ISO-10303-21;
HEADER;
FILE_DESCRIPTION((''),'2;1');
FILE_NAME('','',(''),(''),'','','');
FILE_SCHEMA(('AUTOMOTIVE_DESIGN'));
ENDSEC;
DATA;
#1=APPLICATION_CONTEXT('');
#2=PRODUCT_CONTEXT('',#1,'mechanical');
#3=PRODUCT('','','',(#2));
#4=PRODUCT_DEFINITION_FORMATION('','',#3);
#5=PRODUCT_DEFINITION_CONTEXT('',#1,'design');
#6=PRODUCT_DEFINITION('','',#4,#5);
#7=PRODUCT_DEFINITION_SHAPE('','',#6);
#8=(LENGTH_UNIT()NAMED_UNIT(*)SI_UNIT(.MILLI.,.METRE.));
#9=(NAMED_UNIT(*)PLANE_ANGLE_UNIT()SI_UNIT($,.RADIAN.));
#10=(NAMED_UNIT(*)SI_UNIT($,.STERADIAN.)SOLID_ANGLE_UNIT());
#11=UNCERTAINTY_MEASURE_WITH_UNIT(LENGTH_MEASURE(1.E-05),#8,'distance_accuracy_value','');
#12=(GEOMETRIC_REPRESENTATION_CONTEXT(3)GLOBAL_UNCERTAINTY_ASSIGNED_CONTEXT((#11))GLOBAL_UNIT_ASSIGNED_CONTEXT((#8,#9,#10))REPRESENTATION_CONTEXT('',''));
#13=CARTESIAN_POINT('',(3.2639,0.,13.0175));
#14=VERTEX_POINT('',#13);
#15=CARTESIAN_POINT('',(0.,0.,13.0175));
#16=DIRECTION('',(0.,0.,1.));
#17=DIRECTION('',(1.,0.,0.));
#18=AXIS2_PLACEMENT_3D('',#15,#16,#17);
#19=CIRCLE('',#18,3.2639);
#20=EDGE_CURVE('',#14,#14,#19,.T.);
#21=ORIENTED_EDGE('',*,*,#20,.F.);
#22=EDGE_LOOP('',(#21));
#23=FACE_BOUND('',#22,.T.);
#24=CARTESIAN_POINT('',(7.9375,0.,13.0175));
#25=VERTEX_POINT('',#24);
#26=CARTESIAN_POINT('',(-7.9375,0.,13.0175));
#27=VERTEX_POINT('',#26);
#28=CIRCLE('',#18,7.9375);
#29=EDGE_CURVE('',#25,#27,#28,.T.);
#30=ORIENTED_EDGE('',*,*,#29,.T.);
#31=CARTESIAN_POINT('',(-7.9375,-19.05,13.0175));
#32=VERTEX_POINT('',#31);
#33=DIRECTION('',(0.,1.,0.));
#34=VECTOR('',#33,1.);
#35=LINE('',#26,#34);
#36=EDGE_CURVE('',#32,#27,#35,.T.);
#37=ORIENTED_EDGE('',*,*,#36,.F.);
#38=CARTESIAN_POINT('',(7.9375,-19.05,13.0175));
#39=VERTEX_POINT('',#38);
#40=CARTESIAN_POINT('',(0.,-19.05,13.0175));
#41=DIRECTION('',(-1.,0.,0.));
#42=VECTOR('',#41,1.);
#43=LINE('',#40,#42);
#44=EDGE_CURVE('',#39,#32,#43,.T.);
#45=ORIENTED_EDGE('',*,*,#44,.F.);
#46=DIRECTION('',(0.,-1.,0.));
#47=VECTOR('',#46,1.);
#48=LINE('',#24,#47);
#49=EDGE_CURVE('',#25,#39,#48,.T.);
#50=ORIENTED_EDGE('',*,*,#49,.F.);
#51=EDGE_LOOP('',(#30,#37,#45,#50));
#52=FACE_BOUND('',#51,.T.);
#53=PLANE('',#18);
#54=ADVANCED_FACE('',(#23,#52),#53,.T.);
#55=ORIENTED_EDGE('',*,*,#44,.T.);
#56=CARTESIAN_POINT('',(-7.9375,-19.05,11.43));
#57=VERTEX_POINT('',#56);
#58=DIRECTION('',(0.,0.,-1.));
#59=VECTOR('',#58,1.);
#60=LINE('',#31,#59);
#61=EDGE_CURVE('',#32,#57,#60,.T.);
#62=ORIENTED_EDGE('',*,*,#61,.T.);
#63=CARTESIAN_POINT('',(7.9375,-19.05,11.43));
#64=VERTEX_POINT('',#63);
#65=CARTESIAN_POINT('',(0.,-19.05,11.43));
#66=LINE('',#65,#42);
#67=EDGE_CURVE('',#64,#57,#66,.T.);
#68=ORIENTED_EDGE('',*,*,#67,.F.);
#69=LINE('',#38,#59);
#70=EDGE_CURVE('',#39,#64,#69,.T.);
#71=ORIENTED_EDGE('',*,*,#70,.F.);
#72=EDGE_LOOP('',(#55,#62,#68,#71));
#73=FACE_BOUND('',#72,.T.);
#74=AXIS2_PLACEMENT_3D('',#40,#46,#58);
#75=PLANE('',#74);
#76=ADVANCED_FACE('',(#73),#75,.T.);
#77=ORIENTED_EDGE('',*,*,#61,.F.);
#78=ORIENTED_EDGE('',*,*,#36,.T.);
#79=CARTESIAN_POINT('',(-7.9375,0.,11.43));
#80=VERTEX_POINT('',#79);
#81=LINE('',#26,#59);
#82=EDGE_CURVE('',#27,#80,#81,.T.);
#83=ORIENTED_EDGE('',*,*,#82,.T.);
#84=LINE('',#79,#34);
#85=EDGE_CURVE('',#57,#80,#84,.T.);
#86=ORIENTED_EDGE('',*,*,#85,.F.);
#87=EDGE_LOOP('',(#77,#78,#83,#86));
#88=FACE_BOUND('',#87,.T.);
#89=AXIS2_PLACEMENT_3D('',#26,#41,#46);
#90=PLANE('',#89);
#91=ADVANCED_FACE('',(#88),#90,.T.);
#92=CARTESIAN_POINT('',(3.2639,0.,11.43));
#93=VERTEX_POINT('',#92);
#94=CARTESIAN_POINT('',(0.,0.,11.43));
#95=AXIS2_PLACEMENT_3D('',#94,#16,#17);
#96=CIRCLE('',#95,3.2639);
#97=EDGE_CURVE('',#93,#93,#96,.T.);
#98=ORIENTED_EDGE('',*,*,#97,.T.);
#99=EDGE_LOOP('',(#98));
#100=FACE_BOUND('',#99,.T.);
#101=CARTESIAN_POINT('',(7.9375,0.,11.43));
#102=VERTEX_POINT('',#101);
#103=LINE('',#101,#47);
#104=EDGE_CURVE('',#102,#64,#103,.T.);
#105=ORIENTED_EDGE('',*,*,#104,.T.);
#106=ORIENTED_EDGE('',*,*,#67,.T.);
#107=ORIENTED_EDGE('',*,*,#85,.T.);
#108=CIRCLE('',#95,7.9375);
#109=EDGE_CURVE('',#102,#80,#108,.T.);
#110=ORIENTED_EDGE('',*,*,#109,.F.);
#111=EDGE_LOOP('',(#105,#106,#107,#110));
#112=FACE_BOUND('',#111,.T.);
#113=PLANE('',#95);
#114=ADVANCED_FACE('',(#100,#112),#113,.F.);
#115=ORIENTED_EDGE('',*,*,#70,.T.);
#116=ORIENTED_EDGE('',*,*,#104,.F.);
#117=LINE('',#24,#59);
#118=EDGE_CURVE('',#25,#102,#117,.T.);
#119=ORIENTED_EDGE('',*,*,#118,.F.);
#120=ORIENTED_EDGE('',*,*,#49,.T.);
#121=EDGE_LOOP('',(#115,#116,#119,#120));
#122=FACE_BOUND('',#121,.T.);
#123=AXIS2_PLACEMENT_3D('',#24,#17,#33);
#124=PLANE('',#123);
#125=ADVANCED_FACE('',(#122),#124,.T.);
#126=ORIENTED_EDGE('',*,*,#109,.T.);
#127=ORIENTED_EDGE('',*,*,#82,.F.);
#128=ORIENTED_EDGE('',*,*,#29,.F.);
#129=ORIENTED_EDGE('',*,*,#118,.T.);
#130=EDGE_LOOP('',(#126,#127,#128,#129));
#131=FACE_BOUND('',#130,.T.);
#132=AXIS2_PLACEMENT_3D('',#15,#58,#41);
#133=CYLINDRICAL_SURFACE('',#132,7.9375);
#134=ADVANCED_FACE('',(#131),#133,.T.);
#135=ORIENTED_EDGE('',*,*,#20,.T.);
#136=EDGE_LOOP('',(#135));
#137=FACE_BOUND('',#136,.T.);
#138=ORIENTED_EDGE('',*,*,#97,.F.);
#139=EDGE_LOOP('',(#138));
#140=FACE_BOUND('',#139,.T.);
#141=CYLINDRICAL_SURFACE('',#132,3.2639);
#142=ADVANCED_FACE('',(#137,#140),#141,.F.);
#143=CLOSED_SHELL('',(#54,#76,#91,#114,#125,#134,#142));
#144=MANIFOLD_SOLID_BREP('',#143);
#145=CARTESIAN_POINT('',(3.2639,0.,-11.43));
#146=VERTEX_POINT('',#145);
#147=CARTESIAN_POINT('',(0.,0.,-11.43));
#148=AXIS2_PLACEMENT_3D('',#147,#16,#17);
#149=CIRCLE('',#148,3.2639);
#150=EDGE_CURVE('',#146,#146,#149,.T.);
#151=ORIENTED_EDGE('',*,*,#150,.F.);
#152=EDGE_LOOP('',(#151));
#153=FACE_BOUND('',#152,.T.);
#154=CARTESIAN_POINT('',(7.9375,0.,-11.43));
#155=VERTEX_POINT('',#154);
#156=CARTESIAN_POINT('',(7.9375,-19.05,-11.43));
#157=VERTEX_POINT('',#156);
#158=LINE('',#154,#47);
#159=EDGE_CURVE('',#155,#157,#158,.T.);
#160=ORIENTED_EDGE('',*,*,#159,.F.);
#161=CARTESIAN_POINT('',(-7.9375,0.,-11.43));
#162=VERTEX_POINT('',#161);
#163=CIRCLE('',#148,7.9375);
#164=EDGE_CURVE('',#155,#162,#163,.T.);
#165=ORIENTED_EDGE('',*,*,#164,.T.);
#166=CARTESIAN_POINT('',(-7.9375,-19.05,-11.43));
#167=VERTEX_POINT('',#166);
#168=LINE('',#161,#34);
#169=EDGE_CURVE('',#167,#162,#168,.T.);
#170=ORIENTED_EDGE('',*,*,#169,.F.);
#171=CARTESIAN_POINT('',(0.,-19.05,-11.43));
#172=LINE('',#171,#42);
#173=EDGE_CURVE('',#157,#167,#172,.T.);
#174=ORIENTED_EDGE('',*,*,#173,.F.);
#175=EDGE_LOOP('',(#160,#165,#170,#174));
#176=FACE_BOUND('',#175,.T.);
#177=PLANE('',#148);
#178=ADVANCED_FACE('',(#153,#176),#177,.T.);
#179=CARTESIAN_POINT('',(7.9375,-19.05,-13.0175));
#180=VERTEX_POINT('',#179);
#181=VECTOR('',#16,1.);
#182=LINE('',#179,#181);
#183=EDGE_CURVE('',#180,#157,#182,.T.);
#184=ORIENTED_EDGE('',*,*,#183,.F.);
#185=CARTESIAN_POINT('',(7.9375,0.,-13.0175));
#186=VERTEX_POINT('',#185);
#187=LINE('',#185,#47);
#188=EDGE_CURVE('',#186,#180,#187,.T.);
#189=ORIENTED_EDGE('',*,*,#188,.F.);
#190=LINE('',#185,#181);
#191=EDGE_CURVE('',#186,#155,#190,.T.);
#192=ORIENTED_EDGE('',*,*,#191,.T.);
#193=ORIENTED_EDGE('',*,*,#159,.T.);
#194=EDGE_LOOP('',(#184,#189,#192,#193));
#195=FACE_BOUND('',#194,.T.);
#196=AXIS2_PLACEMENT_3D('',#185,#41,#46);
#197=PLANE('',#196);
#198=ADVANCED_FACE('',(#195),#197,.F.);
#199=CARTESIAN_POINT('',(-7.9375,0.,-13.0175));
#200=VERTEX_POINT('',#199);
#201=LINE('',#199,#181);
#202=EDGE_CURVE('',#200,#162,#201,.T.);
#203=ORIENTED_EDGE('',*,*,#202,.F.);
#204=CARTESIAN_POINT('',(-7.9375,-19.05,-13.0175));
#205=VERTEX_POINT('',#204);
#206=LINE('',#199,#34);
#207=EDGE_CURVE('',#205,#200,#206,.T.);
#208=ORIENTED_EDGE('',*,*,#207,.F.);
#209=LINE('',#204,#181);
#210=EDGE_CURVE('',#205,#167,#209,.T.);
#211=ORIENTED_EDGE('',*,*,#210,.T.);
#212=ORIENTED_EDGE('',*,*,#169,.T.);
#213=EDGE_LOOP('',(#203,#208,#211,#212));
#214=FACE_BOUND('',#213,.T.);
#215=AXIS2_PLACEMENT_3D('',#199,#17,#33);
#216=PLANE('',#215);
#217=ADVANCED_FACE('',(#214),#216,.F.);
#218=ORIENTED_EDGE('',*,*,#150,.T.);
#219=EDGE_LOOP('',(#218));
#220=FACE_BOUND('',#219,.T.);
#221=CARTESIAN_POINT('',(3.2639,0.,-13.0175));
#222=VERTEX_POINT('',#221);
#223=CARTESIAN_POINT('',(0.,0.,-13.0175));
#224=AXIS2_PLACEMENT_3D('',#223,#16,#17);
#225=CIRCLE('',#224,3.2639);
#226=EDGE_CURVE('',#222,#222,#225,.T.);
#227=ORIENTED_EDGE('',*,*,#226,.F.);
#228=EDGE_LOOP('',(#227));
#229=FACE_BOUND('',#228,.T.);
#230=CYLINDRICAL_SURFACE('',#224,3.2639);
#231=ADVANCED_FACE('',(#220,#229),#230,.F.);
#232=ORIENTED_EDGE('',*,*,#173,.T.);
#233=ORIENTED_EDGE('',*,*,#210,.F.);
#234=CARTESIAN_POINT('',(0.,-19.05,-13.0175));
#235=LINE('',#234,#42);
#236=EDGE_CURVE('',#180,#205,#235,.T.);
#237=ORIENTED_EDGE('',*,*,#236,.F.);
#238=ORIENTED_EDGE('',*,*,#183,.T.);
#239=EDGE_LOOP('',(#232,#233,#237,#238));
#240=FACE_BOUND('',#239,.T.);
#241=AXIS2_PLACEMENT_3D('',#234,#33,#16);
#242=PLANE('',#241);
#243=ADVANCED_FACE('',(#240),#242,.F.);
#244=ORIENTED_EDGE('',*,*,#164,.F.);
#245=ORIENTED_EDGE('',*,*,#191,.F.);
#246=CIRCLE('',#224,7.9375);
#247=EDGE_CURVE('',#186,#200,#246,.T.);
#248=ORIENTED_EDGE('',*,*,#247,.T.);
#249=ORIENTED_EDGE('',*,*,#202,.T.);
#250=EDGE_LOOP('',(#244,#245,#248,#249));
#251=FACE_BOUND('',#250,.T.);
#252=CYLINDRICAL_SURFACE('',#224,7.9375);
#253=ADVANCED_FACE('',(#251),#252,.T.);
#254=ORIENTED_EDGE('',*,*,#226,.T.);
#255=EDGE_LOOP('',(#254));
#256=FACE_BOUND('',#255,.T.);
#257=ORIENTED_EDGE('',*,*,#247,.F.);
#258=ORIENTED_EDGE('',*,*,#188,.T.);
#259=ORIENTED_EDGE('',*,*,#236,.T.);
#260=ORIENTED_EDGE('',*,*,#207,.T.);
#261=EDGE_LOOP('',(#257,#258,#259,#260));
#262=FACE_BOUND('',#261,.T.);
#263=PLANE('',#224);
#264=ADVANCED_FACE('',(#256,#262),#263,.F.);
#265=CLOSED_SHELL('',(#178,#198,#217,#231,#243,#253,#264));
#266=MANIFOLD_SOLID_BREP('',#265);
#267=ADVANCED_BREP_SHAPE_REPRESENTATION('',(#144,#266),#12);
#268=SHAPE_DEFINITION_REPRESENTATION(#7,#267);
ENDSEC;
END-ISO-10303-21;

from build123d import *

# Parameters (mm, degrees)
BOSS_EXTRUDE1_START = 11.43
SKETCH1_R           = 3.2639
BOSS_EXTRUDE1_DEPTH = 1.5875
BOSS_EXTRUDE2_START = -11.43
SKETCH1_4_R         = 3.2639
BOSS_EXTRUDE2_DEPTH = 1.5875


with BuildPart() as part:
    # Sketch1 → Boss-Extrude1 (new body)
    with BuildSketch(Plane.XY.offset(BOSS_EXTRUDE1_START)):
        with BuildLine():
            ThreePointArc((7.9375, 0), (0, 7.9375), (-7.9375, 0))
            Line((-7.9375, 0), (-7.9375, -19.05))
            Line((-7.9375, -19.05), (7.9375, -19.05))
            Line((7.9375, -19.05), (7.9375, 0))
        make_face()
        Circle(SKETCH1_R, mode=Mode.SUBTRACT)
    extrude(amount=BOSS_EXTRUDE1_DEPTH)


with BuildPart() as body_2:
    # Sketch1<4> → Boss-Extrude2 (new body)
    with BuildSketch(Plane.XY.offset(BOSS_EXTRUDE2_START)):
        with BuildLine():
            ThreePointArc((7.9375, 0), (0, 7.9375), (-7.9375, 0))
            Line((-7.9375, 0), (-7.9375, -19.05))
            Line((-7.9375, -19.05), (7.9375, -19.05))
            Line((7.9375, -19.05), (7.9375, 0))
        make_face()
        Circle(SKETCH1_4_R, mode=Mode.SUBTRACT)
    extrude(amount=-BOSS_EXTRUDE2_DEPTH)


solid = Compound([part.part, body_2.part])
